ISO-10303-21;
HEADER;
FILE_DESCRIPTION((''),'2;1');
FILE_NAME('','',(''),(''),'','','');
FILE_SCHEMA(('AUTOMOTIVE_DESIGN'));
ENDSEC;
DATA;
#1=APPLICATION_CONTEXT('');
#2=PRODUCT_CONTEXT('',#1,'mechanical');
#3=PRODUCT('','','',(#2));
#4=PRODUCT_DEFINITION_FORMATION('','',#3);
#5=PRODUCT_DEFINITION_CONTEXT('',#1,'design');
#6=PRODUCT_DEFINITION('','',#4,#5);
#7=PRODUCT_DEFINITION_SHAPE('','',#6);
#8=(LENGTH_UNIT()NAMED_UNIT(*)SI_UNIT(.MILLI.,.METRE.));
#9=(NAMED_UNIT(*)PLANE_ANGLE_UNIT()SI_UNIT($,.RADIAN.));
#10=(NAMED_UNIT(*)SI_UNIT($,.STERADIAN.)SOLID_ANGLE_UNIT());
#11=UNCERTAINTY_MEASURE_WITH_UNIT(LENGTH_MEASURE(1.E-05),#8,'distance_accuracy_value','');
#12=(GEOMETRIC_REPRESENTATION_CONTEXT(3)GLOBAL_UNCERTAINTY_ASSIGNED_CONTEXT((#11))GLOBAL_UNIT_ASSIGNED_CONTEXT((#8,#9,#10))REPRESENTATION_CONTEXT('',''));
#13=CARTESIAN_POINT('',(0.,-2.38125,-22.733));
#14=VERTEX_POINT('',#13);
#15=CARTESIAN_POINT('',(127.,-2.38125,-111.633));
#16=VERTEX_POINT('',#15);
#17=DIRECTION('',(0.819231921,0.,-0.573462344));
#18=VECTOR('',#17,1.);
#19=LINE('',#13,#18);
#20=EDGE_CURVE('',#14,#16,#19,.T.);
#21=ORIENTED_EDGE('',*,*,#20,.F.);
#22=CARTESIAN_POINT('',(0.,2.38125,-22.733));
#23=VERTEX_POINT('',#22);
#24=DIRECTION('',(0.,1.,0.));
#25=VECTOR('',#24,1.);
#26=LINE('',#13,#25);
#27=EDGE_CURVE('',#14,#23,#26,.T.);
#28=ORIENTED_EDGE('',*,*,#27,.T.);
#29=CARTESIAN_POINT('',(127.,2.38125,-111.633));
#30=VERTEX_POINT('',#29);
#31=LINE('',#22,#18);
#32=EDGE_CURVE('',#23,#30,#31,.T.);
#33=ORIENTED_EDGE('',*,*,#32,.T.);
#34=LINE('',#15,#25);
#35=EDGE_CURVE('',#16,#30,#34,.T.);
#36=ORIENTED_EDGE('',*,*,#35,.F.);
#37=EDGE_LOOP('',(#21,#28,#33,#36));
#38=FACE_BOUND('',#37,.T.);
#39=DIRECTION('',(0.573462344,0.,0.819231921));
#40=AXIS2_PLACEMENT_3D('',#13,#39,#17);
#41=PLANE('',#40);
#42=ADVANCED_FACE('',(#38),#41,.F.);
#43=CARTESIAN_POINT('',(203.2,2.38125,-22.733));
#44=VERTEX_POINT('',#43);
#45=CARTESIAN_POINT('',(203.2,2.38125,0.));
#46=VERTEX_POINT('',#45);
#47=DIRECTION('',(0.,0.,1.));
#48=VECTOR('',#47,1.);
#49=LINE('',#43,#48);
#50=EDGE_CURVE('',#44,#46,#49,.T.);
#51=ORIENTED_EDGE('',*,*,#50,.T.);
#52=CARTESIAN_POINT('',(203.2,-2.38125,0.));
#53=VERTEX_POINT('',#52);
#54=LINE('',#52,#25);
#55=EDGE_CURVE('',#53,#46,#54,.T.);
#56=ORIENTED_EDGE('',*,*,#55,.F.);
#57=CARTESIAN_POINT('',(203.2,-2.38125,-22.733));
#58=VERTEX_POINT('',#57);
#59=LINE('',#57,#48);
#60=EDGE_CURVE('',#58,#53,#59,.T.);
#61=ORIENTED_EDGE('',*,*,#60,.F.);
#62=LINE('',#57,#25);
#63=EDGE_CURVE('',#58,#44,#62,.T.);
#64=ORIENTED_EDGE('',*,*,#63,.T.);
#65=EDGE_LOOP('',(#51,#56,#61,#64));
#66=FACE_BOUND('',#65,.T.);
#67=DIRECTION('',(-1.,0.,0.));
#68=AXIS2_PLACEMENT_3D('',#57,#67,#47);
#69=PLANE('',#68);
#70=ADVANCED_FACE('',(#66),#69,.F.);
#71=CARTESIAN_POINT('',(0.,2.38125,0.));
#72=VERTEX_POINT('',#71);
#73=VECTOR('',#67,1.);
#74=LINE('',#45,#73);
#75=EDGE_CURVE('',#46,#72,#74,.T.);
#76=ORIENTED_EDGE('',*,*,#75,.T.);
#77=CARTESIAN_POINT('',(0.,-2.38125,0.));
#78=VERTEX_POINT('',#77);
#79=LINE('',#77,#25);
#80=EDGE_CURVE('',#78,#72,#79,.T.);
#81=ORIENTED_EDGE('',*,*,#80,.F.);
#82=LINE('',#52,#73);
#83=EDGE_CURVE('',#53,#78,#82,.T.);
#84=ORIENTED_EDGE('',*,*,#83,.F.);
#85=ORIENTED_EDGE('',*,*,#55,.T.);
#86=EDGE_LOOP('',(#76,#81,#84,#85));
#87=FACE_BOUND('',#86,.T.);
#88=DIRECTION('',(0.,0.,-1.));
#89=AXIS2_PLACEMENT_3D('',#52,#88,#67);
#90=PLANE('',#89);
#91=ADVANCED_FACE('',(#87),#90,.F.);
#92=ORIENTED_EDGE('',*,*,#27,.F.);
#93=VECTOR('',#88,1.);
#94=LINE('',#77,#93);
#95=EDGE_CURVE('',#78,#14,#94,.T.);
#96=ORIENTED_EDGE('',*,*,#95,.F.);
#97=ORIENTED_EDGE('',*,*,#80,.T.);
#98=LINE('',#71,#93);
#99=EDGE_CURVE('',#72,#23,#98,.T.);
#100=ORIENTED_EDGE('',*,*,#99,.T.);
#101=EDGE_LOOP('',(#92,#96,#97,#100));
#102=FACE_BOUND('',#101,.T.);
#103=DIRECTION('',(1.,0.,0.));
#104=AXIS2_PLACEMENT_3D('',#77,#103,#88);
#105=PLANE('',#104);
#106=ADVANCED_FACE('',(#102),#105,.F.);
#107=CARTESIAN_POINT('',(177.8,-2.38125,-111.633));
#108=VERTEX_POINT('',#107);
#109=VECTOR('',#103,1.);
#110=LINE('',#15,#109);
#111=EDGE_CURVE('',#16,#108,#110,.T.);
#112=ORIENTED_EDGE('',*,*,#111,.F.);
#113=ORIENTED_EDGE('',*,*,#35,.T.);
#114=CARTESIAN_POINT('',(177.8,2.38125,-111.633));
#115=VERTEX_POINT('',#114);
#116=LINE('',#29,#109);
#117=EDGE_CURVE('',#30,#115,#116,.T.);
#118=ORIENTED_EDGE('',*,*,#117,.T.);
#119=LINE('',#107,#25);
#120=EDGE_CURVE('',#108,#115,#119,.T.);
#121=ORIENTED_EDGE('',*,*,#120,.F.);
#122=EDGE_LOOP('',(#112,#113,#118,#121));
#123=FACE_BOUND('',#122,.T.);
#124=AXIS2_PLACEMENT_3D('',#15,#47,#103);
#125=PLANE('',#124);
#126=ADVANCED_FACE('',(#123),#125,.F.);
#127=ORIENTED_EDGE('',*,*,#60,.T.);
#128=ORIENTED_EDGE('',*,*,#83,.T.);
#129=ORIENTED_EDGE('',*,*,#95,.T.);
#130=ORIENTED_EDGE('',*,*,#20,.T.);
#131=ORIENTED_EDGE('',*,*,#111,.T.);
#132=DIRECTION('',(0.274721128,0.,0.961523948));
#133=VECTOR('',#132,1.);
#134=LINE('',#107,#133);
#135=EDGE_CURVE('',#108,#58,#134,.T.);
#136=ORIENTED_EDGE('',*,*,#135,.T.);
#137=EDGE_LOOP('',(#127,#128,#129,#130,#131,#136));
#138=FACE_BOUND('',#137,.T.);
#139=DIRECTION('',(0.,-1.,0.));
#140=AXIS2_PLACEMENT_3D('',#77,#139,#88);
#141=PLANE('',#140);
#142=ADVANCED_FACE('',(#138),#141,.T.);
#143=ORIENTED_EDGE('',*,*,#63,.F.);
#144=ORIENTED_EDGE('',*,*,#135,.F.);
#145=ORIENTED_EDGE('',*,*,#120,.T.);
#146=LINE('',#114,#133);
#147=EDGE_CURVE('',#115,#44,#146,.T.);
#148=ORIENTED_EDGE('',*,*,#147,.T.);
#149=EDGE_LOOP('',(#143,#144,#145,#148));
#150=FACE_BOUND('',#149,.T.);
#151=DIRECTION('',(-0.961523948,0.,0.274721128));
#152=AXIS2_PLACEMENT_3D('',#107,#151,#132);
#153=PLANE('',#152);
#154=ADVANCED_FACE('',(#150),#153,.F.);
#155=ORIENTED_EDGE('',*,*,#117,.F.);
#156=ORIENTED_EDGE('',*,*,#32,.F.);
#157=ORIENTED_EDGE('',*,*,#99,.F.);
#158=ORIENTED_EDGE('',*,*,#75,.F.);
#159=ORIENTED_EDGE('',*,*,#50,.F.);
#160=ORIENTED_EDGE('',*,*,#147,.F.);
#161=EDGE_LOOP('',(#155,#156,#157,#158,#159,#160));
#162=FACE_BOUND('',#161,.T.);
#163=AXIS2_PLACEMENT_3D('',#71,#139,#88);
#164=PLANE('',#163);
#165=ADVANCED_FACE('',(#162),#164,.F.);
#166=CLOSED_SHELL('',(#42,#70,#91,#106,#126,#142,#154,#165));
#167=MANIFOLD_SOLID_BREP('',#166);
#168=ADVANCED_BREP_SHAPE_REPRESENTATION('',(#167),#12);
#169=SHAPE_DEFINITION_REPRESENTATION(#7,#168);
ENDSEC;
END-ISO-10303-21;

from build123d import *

# Parameters (mm, degrees)
BOSS_EXTRUDE1_DEPTH      = 2.38125
BOSS_EXTRUDE1_DEPTH_BACK = 2.38125


with BuildPart() as part:
    # Sketch1 → Boss-Extrude1 (new, two sides: drawn at the far end of the back side and taken through both)
    with BuildSketch(Plane(origin=(0, 0, 0), x_dir=(1, 0, 0), z_dir=(0, 1, 0)).offset(-BOSS_EXTRUDE1_DEPTH_BACK)):
        Polygon((0, 0), (0, 22.733), (127, 111.633), (177.8, 111.633), (203.2, 22.733), (203.2, 0), align=None)
    extrude(amount=BOSS_EXTRUDE1_DEPTH + BOSS_EXTRUDE1_DEPTH_BACK)


solid = part.part
